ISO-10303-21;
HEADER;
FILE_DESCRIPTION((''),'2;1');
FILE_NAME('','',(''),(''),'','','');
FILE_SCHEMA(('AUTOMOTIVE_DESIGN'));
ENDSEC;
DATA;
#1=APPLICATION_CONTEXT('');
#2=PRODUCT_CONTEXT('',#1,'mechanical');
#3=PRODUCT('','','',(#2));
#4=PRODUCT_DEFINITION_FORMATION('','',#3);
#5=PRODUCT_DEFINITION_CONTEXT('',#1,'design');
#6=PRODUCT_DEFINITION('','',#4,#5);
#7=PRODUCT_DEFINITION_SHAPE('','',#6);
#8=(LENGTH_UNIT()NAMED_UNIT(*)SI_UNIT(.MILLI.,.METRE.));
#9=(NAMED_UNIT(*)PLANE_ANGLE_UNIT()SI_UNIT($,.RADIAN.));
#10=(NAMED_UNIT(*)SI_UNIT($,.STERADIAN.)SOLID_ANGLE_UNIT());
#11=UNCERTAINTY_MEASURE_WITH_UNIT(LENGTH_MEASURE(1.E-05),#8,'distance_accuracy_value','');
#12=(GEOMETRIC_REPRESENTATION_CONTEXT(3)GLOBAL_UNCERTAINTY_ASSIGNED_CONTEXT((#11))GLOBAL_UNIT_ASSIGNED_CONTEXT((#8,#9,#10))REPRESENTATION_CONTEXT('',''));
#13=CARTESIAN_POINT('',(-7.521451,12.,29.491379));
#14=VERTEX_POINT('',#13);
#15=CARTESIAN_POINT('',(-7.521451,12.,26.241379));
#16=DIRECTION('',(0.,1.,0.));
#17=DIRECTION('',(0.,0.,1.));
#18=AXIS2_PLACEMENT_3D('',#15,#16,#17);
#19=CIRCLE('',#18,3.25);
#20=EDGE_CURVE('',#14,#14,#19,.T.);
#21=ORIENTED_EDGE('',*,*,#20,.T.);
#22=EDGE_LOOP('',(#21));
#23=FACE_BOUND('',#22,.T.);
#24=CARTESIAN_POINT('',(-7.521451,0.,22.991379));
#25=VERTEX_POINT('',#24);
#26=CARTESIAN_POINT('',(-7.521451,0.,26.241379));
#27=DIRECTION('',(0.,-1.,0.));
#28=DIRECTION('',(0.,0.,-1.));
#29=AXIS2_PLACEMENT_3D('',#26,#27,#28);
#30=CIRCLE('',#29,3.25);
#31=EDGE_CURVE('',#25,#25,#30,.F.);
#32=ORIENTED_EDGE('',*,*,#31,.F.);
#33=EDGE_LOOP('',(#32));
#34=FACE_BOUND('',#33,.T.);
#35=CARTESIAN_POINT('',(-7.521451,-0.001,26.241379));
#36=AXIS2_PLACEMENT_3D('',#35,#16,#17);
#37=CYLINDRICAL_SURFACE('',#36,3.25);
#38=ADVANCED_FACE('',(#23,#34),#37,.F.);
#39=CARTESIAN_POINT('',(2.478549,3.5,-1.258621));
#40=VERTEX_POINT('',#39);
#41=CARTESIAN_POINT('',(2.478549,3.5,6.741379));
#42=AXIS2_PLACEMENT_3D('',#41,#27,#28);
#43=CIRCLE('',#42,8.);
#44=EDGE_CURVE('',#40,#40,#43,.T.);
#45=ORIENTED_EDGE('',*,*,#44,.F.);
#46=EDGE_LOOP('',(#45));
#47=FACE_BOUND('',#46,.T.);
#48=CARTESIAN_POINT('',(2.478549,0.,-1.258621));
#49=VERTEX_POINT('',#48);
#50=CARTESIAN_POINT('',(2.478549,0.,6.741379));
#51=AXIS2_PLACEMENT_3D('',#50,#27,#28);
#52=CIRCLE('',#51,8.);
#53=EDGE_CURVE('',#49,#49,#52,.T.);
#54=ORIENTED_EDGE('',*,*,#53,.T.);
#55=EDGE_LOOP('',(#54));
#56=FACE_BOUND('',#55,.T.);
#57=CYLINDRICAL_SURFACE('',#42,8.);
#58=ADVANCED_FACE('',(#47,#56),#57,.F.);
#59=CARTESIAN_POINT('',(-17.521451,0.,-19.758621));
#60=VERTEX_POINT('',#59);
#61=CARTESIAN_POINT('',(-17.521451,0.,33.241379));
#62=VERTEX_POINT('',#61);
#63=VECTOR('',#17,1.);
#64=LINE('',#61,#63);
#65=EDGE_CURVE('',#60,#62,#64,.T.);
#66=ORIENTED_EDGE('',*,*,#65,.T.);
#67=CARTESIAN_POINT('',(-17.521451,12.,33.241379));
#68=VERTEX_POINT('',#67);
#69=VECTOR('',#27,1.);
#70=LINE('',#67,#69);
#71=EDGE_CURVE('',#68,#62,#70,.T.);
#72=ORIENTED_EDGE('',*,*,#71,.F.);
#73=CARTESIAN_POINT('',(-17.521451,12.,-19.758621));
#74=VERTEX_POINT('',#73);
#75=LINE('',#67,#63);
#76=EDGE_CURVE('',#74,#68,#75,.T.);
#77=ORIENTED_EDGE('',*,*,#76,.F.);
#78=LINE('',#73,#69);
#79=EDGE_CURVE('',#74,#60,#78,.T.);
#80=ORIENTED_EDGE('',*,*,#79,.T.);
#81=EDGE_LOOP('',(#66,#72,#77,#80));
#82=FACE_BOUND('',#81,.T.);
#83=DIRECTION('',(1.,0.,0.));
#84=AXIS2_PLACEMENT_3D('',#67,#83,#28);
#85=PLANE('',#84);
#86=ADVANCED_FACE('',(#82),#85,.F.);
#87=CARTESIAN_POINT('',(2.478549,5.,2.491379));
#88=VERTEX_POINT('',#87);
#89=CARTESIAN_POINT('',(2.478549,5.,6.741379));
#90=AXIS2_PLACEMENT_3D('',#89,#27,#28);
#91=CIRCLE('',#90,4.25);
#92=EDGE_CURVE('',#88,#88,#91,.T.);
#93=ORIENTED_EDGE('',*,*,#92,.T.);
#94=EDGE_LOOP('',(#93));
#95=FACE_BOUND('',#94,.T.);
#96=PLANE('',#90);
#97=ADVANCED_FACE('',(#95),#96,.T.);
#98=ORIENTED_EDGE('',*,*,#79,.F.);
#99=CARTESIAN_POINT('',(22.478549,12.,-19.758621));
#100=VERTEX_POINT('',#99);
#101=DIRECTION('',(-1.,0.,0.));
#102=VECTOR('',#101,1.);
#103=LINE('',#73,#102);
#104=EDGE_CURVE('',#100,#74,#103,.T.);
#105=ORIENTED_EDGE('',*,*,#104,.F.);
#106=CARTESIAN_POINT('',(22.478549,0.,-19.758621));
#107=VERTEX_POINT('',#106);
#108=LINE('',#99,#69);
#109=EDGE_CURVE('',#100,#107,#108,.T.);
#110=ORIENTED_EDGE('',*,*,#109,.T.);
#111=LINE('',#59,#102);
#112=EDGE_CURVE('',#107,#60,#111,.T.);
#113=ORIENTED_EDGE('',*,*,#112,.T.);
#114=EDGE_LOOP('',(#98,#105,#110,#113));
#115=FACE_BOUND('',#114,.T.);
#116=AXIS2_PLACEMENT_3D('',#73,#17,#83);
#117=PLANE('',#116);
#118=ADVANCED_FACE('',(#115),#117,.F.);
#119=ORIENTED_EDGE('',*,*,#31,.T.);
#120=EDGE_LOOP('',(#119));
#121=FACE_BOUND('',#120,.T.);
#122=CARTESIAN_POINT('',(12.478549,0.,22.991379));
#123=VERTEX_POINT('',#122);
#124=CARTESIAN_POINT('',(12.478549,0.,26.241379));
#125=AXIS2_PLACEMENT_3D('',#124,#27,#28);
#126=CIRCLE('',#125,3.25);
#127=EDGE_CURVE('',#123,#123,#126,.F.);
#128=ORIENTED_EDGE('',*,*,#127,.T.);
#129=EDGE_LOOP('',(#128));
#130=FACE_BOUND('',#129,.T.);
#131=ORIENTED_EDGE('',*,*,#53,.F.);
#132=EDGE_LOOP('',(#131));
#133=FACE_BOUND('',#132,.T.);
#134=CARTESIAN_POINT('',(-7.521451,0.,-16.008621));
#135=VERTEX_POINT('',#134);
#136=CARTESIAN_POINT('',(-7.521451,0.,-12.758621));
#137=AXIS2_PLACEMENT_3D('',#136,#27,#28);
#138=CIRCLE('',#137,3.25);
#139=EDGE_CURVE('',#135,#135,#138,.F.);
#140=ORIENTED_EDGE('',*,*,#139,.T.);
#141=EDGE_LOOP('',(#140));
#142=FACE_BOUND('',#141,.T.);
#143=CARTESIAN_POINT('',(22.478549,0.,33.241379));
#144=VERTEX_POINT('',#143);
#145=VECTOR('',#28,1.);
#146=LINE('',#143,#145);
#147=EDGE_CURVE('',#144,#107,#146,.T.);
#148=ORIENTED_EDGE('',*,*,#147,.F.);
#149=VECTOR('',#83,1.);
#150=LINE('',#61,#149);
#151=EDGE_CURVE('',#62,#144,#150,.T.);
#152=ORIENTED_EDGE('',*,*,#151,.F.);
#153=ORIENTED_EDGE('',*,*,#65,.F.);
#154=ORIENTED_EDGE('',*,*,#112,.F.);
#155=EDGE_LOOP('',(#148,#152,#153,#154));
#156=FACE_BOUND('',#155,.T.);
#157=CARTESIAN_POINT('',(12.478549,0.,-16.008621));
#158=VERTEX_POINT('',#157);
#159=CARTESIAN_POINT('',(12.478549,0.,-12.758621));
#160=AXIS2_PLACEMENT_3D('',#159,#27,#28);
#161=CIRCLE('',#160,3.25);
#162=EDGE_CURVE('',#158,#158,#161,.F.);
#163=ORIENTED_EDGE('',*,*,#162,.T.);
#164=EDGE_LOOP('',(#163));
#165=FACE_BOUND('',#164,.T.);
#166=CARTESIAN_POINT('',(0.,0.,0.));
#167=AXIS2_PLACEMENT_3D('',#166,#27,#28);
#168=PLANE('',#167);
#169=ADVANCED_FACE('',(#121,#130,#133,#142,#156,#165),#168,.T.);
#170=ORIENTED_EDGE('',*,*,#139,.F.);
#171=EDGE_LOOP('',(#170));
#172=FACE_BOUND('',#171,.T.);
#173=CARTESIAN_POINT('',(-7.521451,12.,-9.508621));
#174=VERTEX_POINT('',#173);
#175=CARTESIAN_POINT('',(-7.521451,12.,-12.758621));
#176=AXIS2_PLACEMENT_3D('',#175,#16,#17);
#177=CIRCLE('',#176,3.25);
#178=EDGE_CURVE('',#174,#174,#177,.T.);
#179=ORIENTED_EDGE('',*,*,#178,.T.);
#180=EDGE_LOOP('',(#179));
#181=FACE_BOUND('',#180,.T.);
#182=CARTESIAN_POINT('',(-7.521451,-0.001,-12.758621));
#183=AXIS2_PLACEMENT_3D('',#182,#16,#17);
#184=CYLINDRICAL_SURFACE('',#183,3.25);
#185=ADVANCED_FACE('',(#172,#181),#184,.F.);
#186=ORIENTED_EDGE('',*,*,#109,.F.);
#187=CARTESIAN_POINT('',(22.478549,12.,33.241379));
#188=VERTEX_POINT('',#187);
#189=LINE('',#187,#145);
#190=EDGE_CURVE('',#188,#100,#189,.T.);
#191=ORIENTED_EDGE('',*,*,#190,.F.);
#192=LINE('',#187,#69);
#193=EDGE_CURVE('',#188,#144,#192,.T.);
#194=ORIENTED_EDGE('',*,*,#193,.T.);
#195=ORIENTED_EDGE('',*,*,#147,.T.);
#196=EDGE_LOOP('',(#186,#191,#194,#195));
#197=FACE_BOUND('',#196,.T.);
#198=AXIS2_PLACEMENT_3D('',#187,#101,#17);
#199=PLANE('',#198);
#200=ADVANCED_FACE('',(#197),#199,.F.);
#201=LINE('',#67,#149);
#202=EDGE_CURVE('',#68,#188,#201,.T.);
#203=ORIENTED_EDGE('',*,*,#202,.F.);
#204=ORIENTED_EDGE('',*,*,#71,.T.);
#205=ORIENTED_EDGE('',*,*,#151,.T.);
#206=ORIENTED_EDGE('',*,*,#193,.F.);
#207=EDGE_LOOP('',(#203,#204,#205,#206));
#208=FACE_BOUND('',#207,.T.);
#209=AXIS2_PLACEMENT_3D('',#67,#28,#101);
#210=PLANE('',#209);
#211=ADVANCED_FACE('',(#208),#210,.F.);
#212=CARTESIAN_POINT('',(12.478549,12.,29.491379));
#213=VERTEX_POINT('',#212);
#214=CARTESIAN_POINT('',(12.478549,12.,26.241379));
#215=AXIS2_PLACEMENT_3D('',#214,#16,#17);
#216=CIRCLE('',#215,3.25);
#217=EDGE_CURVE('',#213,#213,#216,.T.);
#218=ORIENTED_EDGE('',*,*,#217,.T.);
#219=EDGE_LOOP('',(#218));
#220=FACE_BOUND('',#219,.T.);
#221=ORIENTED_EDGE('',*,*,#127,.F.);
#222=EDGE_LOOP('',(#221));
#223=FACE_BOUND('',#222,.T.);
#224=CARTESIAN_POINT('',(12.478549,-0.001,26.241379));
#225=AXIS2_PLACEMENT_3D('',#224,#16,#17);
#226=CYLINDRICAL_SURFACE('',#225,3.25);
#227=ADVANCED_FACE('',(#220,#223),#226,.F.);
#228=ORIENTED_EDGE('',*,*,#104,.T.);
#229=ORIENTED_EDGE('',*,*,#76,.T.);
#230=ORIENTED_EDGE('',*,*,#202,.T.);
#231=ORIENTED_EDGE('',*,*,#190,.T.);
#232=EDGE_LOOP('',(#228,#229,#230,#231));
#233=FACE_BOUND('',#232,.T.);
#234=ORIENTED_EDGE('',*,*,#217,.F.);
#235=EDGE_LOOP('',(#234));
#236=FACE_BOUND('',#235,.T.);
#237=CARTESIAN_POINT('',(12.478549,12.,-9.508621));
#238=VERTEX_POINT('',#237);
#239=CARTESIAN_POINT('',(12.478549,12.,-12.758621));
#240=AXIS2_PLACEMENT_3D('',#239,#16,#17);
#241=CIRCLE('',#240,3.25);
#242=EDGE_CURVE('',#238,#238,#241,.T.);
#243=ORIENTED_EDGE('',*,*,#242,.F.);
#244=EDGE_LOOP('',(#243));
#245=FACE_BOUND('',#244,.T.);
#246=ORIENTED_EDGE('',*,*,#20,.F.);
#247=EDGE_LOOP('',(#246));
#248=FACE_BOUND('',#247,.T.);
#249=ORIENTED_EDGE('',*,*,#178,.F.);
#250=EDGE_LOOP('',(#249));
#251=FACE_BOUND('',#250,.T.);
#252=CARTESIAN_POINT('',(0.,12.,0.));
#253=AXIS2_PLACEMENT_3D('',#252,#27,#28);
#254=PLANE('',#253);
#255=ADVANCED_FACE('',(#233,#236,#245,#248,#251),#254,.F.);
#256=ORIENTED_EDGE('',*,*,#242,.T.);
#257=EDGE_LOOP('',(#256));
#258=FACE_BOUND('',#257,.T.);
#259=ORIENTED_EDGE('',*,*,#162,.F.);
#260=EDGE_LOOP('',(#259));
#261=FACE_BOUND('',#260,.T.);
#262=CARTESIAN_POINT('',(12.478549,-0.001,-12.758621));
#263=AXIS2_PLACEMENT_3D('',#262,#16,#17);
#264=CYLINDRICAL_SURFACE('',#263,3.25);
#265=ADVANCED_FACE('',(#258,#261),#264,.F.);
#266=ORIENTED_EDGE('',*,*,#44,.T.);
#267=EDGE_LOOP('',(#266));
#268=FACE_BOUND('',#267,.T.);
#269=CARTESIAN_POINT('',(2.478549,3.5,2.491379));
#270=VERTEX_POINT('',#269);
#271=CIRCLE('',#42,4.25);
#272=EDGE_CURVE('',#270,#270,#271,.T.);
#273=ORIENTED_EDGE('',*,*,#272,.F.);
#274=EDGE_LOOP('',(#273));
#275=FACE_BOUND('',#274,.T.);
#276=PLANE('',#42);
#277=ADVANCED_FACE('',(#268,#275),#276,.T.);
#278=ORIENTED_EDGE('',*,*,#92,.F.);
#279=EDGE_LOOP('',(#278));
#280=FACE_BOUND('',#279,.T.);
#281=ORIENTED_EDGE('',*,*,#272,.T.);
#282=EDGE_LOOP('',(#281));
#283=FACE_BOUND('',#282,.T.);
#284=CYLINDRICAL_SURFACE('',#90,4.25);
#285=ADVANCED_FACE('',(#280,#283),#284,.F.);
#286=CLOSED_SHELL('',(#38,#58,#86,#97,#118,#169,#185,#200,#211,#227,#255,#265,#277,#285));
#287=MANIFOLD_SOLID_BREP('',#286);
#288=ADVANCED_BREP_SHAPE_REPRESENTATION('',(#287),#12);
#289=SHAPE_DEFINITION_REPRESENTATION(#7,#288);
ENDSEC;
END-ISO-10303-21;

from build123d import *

# Parameters (mm, degrees)
SKETCH1_W           = 40
SKETCH1_H           = 53
BOSS_EXTRUDE1_DEPTH = 12
SKETCH2_R           = 8
CUT_EXTRUDE1_DEPTH  = 3.5
SKETCH4_R           = 4.25
CUT_EXTRUDE2_DEPTH  = 1.5
CUT_EXTRUDE3_REACH  = 14
SKETCH5_R           = 3.25


with BuildPart() as part:
    # Sketch1 → Boss-Extrude1 (new body)
    with BuildSketch(Plane(origin=(0, 0, 0), x_dir=(1, 0, 0), z_dir=(0, 1, 0))):
        with Locations((2.478549399, -6.741379093)):
            Rectangle(SKETCH1_W, SKETCH1_H)
    extrude(amount=BOSS_EXTRUDE1_DEPTH)

    # Sketch2 → Cut-Extrude1 (cut)
    with BuildSketch(Plane.XZ):
        with Locations((2.478549399, 6.741379093)):
            Circle(SKETCH2_R)
    extrude(amount=-CUT_EXTRUDE1_DEPTH, mode=Mode.SUBTRACT)

    # Sketch4 → Cut-Extrude2 (cut)
    with BuildSketch(Plane.XZ.offset(-3.5)):
        with Locations((2.478549399, 6.741379093)):
            Circle(SKETCH4_R)
    extrude(amount=-CUT_EXTRUDE2_DEPTH, mode=Mode.SUBTRACT)

    # Sketch5 → Cut-Extrude3 (cut, up to next)
    with BuildSketch(Plane(origin=(0, 12, 0), x_dir=(1, 0, 0), z_dir=(0, 1, 0)), mode=Mode.PRIVATE) as cut_extrude3_sk1:
        with Locations((-7.521450601, -26.241379093)):
            Circle(SKETCH5_R)
    cut_extrude3_tool1 = extrude(cut_extrude3_sk1.sketch, amount=-CUT_EXTRUDE3_REACH, mode=Mode.PRIVATE) & part.part
    add(cut_extrude3_tool1.solids().sort_by_distance((-7.521451, 12, 26.241379))[0], mode=Mode.SUBTRACT)
    # Sketch5 → Cut-Extrude3 (cut, up to next)
    with BuildSketch(Plane(origin=(0, 12, 0), x_dir=(1, 0, 0), z_dir=(0, 1, 0)), mode=Mode.PRIVATE) as cut_extrude3_sk2:
        with Locations((12.478549399, -26.241379093)):
            Circle(SKETCH5_R)
    cut_extrude3_tool2 = extrude(cut_extrude3_sk2.sketch, amount=-CUT_EXTRUDE3_REACH, mode=Mode.PRIVATE) & part.part
    add(cut_extrude3_tool2.solids().sort_by_distance((12.478549, 12, 26.241379))[0], mode=Mode.SUBTRACT)
    # Sketch5 → Cut-Extrude3 (cut, up to next)
    with BuildSketch(Plane(origin=(0, 12, 0), x_dir=(1, 0, 0), z_dir=(0, 1, 0)), mode=Mode.PRIVATE) as cut_extrude3_sk3:
        with Locations((-7.521450601, 12.758620907)):
            Circle(SKETCH5_R)
    cut_extrude3_tool3 = extrude(cut_extrude3_sk3.sketch, amount=-CUT_EXTRUDE3_REACH, mode=Mode.PRIVATE) & part.part
    add(cut_extrude3_tool3.solids().sort_by_distance((-7.521451, 12, -12.758621))[0], mode=Mode.SUBTRACT)
    # Sketch5 → Cut-Extrude3 (cut, up to next)
    with BuildSketch(Plane(origin=(0, 12, 0), x_dir=(1, 0, 0), z_dir=(0, 1, 0)), mode=Mode.PRIVATE) as cut_extrude3_sk4:
        with Locations((12.478549399, 12.758620907)):
            Circle(SKETCH5_R)
    cut_extrude3_tool4 = extrude(cut_extrude3_sk4.sketch, amount=-CUT_EXTRUDE3_REACH, mode=Mode.PRIVATE) & part.part
    add(cut_extrude3_tool4.solids().sort_by_distance((12.478549, 12, -12.758621))[0], mode=Mode.SUBTRACT)


solid = part.part
